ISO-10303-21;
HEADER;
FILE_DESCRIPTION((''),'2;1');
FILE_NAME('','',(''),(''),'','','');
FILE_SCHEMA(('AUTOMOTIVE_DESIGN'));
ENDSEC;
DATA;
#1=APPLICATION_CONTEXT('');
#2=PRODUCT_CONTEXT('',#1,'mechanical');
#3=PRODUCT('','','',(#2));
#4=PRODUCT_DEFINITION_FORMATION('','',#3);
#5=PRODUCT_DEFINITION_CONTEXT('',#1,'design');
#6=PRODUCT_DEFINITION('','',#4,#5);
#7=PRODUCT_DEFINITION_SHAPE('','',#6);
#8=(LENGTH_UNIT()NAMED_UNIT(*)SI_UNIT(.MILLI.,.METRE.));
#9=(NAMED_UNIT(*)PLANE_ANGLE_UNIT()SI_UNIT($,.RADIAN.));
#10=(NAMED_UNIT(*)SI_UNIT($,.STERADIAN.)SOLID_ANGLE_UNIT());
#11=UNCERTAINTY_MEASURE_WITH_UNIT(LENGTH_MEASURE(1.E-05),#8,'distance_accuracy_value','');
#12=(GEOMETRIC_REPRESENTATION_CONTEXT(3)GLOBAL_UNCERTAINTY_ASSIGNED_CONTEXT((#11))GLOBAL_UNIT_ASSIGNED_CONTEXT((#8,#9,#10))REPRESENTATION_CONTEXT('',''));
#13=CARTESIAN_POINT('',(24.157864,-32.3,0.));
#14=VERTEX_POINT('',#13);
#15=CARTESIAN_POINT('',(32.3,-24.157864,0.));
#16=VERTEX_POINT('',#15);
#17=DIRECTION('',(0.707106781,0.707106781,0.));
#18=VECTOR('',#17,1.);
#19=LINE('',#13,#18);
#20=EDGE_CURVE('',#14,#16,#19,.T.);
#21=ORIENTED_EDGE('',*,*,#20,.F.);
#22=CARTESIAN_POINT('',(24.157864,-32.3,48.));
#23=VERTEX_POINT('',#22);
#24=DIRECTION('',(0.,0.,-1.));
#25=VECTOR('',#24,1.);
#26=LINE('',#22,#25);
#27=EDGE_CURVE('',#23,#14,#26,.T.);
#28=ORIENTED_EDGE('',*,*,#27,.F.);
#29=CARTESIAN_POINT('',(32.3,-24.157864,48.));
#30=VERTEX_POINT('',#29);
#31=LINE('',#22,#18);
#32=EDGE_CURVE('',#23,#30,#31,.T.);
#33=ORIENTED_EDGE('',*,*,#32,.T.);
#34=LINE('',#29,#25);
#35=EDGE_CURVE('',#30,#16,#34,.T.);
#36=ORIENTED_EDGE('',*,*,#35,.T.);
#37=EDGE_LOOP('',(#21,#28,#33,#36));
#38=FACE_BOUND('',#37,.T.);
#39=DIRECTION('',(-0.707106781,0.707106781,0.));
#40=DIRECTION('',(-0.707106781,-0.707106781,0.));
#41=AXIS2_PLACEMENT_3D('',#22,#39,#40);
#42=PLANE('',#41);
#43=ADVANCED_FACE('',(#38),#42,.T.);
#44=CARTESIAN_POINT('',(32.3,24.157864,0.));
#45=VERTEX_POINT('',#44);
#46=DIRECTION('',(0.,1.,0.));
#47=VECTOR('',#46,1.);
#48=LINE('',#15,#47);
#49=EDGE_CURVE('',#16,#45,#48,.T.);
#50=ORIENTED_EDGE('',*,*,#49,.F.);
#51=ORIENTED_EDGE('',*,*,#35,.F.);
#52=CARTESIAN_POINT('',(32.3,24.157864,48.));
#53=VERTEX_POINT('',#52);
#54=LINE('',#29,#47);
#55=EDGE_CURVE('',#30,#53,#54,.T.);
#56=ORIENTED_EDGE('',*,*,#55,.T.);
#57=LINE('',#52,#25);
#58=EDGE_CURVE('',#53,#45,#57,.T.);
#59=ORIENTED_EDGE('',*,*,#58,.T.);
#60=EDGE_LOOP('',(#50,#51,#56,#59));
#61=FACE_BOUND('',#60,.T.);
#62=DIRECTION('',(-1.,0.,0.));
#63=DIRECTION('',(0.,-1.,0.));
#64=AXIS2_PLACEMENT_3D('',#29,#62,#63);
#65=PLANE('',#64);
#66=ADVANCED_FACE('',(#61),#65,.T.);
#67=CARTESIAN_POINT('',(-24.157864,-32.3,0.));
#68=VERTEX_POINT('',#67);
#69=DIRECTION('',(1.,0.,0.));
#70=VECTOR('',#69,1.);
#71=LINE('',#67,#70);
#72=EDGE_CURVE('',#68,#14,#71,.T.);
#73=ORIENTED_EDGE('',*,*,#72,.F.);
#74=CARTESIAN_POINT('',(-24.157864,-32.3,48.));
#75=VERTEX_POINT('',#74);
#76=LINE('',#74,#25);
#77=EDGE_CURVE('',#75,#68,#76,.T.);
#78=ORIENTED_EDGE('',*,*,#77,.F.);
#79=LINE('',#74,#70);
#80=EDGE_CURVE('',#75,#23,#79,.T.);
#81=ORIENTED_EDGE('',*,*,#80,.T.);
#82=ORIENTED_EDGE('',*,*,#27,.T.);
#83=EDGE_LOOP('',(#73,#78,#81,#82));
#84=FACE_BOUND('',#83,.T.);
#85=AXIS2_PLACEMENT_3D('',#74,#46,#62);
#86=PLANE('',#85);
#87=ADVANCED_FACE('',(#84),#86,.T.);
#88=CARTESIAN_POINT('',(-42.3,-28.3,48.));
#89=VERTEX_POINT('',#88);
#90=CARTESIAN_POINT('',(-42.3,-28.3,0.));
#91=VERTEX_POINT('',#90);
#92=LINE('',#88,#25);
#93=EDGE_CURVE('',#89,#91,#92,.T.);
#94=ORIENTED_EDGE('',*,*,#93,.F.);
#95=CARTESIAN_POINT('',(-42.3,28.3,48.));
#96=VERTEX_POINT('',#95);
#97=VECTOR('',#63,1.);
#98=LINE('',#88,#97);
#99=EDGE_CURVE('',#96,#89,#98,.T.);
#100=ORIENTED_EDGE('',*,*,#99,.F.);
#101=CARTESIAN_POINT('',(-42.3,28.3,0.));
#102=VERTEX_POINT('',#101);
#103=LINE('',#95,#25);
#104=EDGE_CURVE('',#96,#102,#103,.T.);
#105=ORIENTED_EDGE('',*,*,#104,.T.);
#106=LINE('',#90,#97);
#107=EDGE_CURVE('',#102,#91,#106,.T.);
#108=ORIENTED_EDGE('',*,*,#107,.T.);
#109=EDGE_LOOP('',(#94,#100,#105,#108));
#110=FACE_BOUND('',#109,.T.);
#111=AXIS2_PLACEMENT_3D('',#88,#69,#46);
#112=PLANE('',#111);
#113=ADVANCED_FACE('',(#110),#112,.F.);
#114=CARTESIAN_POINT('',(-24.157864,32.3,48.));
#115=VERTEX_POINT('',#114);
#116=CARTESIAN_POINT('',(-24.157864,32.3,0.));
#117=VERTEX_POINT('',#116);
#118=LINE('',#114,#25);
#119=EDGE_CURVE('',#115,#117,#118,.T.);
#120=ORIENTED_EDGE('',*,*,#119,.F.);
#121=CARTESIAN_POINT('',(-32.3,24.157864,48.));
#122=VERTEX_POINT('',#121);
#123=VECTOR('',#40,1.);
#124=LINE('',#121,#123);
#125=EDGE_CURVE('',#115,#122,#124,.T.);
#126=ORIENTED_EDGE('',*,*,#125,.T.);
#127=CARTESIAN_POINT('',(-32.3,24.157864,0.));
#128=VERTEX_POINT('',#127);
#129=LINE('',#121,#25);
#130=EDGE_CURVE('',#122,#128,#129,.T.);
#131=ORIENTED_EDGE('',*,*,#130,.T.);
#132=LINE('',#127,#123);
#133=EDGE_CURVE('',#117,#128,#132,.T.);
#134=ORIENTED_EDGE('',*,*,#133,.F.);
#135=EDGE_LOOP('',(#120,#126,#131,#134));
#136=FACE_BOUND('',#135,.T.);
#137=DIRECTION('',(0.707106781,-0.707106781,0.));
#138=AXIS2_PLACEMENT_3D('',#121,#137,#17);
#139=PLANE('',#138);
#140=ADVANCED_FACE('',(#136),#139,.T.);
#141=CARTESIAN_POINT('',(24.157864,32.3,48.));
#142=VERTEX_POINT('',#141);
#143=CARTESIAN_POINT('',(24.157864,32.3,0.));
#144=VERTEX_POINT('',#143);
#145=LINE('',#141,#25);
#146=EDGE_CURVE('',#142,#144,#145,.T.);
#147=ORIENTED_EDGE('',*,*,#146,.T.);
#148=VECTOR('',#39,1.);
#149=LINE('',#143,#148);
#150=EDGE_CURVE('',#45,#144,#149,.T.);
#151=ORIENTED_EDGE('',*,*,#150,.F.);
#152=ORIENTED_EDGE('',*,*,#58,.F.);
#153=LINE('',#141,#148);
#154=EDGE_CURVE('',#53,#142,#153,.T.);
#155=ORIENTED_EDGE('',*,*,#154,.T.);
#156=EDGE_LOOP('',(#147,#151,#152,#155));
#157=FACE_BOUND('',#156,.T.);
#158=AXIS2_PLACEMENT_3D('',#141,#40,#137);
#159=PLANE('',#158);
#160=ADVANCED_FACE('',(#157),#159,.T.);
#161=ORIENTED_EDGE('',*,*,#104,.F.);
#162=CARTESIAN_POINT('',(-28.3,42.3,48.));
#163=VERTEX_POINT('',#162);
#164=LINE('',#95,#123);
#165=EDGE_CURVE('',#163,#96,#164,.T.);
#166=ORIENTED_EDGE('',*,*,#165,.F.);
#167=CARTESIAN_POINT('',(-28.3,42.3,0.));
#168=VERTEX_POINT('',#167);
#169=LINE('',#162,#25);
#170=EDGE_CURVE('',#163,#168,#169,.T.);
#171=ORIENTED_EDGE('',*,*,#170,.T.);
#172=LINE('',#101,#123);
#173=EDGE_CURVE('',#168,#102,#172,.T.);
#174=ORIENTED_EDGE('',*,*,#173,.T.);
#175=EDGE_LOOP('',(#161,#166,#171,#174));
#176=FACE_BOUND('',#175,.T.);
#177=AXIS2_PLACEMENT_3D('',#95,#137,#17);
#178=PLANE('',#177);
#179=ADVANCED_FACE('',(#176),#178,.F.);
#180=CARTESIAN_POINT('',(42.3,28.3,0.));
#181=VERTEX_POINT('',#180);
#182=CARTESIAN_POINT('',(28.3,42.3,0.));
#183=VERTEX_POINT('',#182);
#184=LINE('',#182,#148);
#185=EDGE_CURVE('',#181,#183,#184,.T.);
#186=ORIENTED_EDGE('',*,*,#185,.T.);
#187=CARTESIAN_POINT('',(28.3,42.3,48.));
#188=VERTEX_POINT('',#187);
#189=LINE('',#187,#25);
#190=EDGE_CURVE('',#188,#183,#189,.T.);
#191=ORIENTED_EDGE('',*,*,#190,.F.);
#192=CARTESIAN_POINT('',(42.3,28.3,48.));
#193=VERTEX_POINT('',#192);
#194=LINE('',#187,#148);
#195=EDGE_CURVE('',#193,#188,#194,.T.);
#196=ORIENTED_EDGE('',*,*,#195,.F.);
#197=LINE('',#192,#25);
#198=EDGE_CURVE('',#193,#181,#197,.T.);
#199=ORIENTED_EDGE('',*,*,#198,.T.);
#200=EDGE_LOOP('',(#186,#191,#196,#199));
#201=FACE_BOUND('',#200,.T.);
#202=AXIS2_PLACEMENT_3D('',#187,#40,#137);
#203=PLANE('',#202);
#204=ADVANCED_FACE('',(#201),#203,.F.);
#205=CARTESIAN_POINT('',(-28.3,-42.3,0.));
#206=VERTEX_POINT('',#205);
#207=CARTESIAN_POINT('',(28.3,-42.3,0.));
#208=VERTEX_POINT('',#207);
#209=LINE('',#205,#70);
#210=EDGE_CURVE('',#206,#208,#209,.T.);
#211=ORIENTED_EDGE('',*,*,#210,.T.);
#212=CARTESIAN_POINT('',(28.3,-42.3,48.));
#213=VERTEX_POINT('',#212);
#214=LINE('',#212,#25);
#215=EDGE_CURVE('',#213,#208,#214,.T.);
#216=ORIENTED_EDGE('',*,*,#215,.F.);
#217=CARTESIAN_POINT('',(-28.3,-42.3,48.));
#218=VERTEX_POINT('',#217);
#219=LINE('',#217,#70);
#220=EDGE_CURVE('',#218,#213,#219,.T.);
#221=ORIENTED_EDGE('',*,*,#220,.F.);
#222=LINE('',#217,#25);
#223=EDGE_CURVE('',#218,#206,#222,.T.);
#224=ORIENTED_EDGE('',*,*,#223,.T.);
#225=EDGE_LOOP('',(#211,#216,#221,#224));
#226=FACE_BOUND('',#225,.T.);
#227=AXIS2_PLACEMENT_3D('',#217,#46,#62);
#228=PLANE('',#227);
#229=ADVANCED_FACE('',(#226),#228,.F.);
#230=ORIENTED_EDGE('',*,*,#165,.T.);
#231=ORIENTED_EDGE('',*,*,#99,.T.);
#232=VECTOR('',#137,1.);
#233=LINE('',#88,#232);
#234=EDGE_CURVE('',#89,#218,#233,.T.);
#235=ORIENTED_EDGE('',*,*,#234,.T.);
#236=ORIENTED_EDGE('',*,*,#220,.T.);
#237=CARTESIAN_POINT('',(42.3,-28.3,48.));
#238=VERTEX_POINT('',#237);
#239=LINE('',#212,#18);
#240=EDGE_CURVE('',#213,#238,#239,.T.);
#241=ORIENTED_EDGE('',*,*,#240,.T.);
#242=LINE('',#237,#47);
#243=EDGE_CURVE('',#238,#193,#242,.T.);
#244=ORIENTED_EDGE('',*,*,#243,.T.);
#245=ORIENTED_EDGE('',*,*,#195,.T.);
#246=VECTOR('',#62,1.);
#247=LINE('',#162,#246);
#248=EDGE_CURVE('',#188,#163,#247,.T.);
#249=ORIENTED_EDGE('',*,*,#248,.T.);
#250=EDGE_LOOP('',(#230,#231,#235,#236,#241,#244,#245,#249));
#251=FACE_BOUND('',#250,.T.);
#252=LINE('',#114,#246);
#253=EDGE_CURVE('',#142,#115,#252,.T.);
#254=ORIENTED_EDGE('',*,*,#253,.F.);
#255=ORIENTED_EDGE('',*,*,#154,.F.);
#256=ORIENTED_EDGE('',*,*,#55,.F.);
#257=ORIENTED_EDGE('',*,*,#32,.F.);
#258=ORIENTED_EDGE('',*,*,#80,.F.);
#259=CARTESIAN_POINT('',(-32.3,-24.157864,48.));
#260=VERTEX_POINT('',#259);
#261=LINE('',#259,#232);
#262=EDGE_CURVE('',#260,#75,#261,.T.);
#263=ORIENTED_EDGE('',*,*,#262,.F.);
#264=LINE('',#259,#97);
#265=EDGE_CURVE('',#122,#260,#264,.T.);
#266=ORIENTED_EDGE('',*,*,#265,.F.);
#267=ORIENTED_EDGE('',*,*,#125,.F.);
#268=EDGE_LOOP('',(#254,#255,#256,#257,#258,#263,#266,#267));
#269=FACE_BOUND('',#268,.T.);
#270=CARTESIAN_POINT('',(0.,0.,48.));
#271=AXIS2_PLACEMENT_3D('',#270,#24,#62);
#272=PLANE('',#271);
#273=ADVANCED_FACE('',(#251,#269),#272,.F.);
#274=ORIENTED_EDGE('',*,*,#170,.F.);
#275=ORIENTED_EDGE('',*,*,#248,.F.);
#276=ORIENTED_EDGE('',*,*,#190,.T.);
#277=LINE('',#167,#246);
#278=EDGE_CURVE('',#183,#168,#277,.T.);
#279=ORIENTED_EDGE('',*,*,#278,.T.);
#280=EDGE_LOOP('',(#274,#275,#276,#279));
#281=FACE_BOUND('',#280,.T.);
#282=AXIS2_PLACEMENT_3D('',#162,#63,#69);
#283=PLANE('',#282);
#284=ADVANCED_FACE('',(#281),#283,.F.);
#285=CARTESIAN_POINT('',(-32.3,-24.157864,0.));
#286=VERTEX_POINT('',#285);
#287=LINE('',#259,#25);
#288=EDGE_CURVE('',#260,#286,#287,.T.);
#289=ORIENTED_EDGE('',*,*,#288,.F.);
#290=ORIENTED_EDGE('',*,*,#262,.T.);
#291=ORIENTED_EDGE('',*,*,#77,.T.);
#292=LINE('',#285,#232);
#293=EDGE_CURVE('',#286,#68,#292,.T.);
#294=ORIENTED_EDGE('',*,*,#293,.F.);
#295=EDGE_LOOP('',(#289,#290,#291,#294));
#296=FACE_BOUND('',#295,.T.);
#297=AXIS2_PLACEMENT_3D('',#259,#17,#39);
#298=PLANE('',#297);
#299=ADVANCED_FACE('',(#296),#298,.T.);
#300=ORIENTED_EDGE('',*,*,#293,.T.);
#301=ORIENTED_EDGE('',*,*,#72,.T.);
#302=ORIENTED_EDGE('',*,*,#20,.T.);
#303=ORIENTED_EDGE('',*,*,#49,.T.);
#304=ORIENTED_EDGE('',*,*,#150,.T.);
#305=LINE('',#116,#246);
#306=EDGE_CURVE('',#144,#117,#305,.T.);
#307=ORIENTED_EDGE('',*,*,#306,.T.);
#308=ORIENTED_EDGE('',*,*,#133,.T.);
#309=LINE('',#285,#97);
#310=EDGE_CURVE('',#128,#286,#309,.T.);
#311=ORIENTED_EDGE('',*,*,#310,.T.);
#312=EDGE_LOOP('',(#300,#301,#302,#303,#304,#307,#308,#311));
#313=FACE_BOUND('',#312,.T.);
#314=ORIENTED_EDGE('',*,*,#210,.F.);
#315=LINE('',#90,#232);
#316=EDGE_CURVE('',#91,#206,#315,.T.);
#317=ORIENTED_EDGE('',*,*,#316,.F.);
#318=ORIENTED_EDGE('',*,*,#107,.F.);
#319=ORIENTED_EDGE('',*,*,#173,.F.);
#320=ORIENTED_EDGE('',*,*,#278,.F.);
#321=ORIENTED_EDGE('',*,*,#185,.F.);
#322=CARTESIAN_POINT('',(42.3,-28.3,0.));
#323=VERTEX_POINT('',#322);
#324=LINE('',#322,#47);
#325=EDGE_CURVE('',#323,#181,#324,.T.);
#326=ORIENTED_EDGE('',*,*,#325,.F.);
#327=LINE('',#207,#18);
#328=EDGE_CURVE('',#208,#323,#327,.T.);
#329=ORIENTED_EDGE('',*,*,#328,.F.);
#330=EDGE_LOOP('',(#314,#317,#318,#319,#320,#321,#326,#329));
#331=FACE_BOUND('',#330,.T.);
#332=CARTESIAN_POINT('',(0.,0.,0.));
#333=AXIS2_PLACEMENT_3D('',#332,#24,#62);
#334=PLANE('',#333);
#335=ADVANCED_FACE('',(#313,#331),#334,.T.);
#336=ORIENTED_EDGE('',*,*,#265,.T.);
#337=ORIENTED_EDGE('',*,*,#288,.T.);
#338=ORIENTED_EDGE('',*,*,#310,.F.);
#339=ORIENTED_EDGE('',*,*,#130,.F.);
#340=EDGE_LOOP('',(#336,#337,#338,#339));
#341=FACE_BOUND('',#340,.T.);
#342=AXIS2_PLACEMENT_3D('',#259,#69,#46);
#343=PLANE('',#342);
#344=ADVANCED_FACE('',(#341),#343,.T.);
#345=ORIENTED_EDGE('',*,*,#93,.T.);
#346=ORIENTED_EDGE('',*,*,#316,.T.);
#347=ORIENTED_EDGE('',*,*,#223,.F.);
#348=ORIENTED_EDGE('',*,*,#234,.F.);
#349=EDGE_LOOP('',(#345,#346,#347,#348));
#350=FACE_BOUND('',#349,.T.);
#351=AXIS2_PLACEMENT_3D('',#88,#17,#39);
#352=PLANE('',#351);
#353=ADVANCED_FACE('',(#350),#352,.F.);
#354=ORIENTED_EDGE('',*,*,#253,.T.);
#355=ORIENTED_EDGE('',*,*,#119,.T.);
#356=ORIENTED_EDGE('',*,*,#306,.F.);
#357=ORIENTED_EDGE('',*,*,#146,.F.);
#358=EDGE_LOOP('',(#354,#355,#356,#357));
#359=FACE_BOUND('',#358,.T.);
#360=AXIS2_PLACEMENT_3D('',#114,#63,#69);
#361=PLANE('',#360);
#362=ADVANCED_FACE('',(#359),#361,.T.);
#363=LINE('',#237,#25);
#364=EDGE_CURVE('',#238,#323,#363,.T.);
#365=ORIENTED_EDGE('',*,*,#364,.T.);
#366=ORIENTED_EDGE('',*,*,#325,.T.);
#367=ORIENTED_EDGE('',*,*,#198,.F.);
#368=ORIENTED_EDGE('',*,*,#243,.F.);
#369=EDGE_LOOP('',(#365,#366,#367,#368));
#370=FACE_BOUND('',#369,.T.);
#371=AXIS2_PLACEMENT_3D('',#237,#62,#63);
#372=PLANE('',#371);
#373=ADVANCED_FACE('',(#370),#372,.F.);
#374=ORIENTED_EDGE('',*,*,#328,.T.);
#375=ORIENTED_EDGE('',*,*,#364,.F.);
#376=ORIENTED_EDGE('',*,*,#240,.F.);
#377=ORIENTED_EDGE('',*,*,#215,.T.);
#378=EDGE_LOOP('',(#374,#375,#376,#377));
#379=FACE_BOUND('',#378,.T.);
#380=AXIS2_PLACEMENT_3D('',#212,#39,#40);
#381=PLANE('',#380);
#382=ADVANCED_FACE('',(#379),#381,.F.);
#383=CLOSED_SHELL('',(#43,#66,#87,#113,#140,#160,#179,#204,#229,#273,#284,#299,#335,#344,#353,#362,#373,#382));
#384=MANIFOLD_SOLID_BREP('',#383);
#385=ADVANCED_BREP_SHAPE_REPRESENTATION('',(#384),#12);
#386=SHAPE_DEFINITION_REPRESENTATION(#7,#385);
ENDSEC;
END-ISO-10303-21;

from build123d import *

# Parameters (mm, degrees)
BOSS_EXTRUDE1_DEPTH = 48


with BuildPart() as part:
    # Sketch1 → Boss-Extrude1 (new body)
    with BuildSketch(Plane.XY):
        Polygon((-42.3, 28.3), (-28.3, 42.3), (28.3, 42.3), (42.3, 28.3), (42.3, -28.3), (28.3, -42.3), (-28.3, -42.3), (-42.3, -28.3), align=None)
        Polygon((-24.157864376, 32.3), (24.157864376, 32.3), (32.3, 24.157864376), (32.3, -24.157864376), (24.157864376, -32.3), (-24.157864376, -32.3), (-32.3, -24.157864376), (-32.3, 24.157864376), align=None, mode=Mode.SUBTRACT)
    extrude(amount=BOSS_EXTRUDE1_DEPTH)


solid = part.part
